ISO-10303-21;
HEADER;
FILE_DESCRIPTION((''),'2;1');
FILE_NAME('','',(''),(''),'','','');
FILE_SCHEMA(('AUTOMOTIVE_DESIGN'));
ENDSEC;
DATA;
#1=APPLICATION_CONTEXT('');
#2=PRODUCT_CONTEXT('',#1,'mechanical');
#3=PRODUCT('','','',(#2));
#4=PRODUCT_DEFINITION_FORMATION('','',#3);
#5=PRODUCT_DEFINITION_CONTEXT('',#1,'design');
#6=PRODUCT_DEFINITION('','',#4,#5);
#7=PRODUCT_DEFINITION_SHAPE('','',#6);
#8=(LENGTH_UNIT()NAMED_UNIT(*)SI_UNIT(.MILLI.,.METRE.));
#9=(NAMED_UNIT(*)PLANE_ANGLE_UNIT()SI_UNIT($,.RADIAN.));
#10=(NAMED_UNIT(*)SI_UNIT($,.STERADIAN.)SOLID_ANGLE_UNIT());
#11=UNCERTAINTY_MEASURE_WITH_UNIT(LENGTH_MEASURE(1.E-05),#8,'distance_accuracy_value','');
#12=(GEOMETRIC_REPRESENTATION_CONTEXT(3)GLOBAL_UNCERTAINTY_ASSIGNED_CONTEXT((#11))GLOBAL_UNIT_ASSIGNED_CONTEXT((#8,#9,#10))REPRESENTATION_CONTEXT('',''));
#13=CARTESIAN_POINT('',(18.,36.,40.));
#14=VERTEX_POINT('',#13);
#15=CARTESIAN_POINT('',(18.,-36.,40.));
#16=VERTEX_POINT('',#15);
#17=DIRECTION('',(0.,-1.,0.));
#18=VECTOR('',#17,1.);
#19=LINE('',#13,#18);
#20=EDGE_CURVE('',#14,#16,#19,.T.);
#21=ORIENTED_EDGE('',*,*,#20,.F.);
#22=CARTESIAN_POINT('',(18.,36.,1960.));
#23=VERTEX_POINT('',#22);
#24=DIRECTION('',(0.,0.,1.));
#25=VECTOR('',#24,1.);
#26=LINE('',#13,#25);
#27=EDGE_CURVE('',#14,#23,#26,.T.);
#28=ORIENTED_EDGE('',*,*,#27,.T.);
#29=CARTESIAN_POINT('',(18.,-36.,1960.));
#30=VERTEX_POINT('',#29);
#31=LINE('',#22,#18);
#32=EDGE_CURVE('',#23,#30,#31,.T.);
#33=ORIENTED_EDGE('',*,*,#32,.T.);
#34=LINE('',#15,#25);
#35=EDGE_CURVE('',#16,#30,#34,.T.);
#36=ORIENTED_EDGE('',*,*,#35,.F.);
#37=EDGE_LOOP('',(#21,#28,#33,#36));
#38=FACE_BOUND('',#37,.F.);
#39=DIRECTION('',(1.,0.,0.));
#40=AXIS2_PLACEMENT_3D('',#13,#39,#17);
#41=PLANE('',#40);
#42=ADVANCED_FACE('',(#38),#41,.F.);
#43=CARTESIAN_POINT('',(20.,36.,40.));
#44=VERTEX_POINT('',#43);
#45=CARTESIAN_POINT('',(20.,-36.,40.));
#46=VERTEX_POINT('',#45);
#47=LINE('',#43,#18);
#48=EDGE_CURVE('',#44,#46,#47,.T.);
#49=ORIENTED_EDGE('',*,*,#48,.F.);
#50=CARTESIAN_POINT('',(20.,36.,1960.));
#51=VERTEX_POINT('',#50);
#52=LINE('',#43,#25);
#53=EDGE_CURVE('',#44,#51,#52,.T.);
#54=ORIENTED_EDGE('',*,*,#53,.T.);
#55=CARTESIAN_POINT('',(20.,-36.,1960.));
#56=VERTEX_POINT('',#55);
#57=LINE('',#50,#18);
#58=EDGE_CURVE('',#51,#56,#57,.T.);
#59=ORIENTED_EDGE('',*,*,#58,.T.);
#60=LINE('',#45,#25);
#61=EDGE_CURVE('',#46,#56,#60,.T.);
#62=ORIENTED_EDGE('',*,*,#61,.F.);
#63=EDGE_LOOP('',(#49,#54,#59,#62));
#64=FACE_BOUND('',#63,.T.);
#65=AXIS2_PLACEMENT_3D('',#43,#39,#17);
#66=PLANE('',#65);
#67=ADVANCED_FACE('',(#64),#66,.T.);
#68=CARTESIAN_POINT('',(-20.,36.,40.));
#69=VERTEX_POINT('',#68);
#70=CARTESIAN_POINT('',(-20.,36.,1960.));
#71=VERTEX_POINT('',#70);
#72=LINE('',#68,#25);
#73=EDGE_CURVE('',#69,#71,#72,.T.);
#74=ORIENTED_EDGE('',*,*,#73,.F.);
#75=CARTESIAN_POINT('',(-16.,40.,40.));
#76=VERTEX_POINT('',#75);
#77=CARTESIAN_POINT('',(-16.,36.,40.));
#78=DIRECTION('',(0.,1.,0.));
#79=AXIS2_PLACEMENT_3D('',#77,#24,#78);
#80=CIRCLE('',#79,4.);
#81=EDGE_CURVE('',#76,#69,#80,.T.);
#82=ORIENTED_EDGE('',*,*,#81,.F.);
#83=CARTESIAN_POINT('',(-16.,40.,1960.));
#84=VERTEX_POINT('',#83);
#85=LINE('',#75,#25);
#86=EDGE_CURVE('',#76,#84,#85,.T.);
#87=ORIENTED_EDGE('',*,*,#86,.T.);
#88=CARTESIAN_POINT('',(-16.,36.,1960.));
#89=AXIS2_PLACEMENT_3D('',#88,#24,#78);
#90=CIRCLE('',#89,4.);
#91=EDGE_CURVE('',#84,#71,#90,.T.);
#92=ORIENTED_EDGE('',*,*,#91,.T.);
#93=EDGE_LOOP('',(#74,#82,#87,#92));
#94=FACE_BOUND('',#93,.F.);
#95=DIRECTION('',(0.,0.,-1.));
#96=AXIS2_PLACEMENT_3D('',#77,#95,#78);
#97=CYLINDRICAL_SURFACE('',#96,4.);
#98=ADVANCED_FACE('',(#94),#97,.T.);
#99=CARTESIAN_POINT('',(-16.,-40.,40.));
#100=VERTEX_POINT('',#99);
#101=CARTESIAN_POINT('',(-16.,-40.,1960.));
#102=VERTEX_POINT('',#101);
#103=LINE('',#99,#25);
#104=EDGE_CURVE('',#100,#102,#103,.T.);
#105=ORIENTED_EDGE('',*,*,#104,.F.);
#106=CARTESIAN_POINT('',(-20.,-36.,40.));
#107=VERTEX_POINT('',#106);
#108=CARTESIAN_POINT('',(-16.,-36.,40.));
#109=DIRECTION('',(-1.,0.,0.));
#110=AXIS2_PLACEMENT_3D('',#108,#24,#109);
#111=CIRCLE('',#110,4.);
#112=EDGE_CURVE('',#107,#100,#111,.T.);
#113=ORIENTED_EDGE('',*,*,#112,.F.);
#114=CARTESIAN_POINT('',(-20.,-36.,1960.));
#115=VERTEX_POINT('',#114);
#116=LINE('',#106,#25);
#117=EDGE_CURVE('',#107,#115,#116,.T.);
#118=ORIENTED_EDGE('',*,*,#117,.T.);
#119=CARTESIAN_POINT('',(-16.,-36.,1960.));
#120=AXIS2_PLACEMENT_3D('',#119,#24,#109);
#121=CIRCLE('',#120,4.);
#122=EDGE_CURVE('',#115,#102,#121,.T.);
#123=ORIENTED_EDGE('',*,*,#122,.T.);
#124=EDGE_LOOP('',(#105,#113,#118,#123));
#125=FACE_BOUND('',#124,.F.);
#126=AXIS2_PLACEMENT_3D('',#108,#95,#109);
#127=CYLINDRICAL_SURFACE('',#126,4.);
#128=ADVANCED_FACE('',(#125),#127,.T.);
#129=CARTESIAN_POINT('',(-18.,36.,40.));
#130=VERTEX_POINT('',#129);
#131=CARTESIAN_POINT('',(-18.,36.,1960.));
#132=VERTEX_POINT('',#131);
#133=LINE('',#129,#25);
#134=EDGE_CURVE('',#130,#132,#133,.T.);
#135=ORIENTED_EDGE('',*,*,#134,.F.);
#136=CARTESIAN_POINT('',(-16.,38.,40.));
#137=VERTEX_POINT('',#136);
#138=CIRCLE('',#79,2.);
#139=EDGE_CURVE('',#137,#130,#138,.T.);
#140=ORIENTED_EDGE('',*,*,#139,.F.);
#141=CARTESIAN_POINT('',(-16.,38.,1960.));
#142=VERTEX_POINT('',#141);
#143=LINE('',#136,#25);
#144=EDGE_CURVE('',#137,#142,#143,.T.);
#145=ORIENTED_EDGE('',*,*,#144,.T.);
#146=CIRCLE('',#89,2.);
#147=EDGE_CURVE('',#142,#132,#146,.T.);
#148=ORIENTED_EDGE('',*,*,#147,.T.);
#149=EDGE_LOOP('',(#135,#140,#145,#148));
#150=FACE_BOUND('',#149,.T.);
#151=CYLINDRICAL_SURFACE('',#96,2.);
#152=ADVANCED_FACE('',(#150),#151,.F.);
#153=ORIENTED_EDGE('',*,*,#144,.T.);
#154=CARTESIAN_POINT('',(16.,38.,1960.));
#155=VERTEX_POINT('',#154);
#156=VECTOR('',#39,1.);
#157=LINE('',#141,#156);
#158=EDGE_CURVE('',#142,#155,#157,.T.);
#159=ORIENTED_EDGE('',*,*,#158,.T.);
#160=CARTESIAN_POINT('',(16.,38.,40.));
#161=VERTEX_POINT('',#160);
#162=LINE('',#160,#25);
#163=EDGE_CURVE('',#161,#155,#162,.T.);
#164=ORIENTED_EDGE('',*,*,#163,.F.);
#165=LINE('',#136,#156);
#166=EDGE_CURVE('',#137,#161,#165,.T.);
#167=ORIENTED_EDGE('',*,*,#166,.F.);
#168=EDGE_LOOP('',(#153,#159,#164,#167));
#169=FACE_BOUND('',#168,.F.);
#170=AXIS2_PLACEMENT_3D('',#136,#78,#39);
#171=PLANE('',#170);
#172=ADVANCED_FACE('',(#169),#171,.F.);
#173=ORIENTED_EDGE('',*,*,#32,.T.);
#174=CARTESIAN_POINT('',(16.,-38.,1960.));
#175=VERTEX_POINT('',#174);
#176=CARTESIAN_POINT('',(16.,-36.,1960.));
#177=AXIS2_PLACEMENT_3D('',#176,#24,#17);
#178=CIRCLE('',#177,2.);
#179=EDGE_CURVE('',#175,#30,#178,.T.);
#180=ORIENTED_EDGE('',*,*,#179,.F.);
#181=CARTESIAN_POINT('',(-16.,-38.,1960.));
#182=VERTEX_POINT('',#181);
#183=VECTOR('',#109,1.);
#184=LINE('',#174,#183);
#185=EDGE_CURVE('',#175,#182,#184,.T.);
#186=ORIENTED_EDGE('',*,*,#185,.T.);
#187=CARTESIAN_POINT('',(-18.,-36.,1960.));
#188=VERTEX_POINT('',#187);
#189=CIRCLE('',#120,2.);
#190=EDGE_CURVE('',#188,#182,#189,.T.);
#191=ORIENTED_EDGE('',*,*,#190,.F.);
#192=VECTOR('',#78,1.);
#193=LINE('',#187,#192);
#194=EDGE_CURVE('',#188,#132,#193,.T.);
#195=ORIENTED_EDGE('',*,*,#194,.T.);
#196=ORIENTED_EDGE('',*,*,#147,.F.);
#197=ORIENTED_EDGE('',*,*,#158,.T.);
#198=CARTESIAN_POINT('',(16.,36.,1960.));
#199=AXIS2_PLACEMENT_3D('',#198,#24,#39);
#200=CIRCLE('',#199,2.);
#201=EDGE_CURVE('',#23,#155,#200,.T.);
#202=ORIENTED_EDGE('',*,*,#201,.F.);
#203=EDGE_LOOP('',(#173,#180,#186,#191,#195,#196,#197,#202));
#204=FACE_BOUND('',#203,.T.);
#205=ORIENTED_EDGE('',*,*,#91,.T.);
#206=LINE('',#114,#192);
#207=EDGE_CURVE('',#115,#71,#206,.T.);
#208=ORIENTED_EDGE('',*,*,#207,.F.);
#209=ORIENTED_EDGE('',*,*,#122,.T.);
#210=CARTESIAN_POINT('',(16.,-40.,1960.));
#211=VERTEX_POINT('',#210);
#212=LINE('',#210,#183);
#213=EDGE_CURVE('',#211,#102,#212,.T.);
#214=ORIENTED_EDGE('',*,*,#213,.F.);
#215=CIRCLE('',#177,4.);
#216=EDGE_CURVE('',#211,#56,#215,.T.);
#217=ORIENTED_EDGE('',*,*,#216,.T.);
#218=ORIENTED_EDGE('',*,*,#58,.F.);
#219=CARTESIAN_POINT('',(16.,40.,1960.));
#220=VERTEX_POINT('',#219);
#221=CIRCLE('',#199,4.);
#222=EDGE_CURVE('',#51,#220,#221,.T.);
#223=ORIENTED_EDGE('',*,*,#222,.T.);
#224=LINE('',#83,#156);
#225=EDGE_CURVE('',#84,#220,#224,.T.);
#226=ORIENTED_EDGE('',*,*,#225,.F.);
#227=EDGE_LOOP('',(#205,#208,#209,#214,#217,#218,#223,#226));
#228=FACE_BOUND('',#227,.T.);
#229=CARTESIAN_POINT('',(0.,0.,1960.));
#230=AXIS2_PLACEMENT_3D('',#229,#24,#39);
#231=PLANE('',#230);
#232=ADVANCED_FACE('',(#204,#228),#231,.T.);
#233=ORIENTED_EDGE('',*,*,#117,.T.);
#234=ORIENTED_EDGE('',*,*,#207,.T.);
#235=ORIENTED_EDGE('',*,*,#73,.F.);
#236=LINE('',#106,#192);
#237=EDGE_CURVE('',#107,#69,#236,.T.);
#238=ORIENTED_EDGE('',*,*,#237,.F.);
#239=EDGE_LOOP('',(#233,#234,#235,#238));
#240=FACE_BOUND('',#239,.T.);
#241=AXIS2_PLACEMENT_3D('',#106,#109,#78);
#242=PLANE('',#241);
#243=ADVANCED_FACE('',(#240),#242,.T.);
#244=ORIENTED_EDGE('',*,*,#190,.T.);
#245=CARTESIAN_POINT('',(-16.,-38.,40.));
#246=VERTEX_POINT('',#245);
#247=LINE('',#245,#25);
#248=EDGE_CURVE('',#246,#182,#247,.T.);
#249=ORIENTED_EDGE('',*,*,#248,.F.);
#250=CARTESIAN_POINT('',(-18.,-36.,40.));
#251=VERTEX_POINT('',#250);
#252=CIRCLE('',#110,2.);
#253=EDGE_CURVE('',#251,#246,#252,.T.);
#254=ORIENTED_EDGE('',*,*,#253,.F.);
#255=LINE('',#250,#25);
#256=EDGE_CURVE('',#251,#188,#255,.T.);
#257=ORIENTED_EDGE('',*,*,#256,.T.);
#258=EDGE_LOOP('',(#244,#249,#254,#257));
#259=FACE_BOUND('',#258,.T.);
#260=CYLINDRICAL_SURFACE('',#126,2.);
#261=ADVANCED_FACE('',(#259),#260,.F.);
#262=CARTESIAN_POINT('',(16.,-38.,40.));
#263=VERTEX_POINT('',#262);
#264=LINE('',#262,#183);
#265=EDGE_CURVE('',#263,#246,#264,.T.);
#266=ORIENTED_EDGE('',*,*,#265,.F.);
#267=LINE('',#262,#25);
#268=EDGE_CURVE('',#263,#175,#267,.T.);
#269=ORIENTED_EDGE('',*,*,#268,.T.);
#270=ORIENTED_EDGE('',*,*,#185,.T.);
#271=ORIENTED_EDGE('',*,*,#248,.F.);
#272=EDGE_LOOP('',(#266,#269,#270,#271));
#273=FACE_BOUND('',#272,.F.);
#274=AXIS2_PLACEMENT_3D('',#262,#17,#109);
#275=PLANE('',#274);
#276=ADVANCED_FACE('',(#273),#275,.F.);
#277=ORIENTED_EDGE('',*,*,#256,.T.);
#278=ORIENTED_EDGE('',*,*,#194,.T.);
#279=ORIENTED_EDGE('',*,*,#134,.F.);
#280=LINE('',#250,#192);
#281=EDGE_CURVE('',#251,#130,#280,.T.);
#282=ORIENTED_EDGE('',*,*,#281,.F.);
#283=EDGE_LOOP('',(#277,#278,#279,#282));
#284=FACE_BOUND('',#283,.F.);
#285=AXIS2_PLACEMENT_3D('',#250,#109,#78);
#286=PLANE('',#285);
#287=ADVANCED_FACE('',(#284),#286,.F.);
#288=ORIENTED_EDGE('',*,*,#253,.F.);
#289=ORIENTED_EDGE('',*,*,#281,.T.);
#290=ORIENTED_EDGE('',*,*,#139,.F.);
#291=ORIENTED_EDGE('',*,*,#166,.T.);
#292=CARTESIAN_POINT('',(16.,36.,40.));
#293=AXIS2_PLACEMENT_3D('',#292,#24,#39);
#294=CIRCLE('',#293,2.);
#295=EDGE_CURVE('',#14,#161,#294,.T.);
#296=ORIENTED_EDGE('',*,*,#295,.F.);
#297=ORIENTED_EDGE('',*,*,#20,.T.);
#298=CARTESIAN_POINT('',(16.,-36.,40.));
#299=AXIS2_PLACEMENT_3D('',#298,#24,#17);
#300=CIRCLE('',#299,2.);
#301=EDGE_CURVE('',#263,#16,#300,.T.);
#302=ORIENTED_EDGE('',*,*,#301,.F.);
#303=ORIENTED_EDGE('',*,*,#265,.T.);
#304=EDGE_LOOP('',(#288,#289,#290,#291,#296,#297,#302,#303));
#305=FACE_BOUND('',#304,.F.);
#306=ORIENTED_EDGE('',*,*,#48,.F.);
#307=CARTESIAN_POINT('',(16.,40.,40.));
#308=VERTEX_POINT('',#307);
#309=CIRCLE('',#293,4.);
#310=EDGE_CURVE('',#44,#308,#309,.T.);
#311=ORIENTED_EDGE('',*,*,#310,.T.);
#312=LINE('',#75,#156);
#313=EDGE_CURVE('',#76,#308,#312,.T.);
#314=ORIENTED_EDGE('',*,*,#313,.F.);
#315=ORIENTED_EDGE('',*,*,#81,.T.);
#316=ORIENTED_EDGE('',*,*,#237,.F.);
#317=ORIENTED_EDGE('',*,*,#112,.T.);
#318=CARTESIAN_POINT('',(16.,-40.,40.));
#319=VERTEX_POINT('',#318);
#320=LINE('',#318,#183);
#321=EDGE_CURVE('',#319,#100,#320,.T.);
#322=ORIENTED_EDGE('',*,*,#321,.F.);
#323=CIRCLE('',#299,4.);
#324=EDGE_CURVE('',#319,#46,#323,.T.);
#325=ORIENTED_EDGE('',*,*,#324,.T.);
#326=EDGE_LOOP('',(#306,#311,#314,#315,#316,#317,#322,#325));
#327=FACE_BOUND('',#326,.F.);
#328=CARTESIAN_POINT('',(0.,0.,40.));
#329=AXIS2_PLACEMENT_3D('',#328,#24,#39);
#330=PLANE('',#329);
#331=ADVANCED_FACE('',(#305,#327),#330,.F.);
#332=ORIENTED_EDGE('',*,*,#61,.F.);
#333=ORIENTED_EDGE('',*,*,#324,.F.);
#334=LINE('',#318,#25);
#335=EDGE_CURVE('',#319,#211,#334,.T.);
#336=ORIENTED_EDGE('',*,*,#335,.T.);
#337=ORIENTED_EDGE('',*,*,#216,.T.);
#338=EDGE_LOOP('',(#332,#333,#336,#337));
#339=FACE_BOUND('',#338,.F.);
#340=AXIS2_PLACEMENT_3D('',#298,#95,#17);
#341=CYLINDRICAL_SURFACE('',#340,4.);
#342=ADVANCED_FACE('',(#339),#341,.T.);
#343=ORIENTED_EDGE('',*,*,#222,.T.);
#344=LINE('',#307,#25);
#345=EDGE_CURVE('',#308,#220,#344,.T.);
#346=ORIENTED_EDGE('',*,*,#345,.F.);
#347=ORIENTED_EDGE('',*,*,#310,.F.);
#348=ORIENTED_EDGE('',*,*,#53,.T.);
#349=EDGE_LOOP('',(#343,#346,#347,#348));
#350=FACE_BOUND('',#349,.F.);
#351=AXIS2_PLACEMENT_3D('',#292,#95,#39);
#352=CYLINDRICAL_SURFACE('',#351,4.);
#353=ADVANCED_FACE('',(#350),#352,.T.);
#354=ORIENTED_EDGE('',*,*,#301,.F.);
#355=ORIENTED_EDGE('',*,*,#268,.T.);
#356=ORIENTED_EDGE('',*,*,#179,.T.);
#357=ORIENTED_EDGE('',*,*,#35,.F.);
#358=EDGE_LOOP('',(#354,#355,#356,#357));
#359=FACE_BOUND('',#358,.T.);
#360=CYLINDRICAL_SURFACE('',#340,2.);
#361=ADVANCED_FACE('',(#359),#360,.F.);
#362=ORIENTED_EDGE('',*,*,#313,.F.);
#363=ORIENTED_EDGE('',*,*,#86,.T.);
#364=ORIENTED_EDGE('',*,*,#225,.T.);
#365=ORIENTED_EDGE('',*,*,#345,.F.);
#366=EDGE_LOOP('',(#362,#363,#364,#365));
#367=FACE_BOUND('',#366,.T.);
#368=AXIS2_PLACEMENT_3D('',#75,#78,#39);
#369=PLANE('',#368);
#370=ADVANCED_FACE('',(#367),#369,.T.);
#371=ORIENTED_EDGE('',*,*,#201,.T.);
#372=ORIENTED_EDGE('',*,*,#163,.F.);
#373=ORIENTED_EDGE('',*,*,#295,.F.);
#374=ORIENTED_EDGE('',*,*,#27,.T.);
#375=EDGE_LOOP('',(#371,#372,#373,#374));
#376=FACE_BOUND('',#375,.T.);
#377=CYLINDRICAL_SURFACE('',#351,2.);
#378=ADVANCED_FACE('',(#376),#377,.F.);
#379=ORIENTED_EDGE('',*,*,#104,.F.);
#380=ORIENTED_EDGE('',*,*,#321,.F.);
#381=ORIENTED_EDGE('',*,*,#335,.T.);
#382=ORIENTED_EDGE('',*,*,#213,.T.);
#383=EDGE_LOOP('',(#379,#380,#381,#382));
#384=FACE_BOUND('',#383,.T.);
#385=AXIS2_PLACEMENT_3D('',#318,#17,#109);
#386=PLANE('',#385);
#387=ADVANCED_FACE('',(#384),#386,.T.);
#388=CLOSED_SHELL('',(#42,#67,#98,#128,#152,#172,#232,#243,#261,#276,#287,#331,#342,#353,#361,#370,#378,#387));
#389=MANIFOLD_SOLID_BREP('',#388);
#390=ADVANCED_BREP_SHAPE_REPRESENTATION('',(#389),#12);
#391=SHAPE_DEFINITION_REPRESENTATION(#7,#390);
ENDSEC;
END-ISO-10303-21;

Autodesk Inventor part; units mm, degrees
ref_plane "YZ Plane" through (0, 0, 0) normal (1, 0, 0) x (0, 1, 0)
ref_plane "Start Plane" through (0, 0, 40) normal (0, 0, 1) x (1, 0, 0)
ref_plane "End Plane" through (0, 0, 1960) normal (0, 0, 1) x (1, 0, 0)
sketch "Sketch" plane through (0, 0, 0) normal (0, 0, 1) x (1, 0, 0)
  line L0 (-20, -36) -> (-20, 36)
  line L1 (-16, 40) -> (16, 40)
  line L2 (20, 36) -> (20, -36)
  line L3 (16, -40) -> (-16, -40)
  arc A0 (-20, -36) -> (-16, -40) centre (-16, -36) ccw
  arc A1 (20, 36) -> (16, 40) centre (16, 36) ccw
  arc A2 (-16, 40) -> (-20, 36) centre (-16, 36) ccw
  arc A3 (16, -40) -> (20, -36) centre (16, -36) ccw
  arc A4 (-16, 38) -> (-18, 36) centre (-16, 36) ccw
  line L4 (-16, 38) -> (16, 38)
  arc A5 (18, 36) -> (16, 38) centre (16, 36) ccw
  line L5 (18, 36) -> (18, -36)
  arc A6 (16, -38) -> (18, -36) centre (16, -36) ccw
  line L6 (16, -38) -> (-16, -38)
  arc A7 (-18, -36) -> (-16, -38) centre (-16, -36) ccw
  line L7 (-18, -36) -> (-18, 36)
  line L8 (0, 57.1598) -> (0, -57.1598) construction
  line L9 (-29.1598, 0) -> (29.1598, 0) construction
  dimension "d7" = 4
  dimension "d9" = 40
  dimension "d11" = 80
  dimension "d12" = 2
  dimension "d15" = 20
  dimension "d16" = 40
extrude "Body" add sketch "Sketch" along normal up to surface (1920 mm away) from surface at 40
sketch "Sketch3" plane through (0, 0, 0) normal (0, 0, 1) x (1, 0, 0)
  line L0 (0, 0) -> (10, 0)
ref_plane "Work Plane3" through (0, 0, 0) normal (0, -1, 0) x (1, 0, 0)
sketch "Sketch4" plane through (0, 0, 0) normal (0, -1, 0) x (1, 0, 0)
  line L0 (-2, 40) -> (12, 40) projected
  line L1 (-2, 1960) -> (12, 1960) projected
  dimension "d18" = 1920
equation "\"d7\" = G_IR"
equation "\"d9\" = G_W"
equation "\"d11\" = G_H"
equation "\"d12\" = G_T"
equation "\"d15\" = 0.5 * d9"
equation "\"d16\" = 0.5 * d11"
equation "\"d3\" = G_L"
equation "\"G_W\" = 40"
equation "\"G_H\" = 80"
equation "\"G_T\" = 2"
equation "\"G_IR\" = 4"
equation "\"G_L\" = d18"
properties part number "ISO 4019 - 80x40x2 - 1920" material "Steel, Mild"
